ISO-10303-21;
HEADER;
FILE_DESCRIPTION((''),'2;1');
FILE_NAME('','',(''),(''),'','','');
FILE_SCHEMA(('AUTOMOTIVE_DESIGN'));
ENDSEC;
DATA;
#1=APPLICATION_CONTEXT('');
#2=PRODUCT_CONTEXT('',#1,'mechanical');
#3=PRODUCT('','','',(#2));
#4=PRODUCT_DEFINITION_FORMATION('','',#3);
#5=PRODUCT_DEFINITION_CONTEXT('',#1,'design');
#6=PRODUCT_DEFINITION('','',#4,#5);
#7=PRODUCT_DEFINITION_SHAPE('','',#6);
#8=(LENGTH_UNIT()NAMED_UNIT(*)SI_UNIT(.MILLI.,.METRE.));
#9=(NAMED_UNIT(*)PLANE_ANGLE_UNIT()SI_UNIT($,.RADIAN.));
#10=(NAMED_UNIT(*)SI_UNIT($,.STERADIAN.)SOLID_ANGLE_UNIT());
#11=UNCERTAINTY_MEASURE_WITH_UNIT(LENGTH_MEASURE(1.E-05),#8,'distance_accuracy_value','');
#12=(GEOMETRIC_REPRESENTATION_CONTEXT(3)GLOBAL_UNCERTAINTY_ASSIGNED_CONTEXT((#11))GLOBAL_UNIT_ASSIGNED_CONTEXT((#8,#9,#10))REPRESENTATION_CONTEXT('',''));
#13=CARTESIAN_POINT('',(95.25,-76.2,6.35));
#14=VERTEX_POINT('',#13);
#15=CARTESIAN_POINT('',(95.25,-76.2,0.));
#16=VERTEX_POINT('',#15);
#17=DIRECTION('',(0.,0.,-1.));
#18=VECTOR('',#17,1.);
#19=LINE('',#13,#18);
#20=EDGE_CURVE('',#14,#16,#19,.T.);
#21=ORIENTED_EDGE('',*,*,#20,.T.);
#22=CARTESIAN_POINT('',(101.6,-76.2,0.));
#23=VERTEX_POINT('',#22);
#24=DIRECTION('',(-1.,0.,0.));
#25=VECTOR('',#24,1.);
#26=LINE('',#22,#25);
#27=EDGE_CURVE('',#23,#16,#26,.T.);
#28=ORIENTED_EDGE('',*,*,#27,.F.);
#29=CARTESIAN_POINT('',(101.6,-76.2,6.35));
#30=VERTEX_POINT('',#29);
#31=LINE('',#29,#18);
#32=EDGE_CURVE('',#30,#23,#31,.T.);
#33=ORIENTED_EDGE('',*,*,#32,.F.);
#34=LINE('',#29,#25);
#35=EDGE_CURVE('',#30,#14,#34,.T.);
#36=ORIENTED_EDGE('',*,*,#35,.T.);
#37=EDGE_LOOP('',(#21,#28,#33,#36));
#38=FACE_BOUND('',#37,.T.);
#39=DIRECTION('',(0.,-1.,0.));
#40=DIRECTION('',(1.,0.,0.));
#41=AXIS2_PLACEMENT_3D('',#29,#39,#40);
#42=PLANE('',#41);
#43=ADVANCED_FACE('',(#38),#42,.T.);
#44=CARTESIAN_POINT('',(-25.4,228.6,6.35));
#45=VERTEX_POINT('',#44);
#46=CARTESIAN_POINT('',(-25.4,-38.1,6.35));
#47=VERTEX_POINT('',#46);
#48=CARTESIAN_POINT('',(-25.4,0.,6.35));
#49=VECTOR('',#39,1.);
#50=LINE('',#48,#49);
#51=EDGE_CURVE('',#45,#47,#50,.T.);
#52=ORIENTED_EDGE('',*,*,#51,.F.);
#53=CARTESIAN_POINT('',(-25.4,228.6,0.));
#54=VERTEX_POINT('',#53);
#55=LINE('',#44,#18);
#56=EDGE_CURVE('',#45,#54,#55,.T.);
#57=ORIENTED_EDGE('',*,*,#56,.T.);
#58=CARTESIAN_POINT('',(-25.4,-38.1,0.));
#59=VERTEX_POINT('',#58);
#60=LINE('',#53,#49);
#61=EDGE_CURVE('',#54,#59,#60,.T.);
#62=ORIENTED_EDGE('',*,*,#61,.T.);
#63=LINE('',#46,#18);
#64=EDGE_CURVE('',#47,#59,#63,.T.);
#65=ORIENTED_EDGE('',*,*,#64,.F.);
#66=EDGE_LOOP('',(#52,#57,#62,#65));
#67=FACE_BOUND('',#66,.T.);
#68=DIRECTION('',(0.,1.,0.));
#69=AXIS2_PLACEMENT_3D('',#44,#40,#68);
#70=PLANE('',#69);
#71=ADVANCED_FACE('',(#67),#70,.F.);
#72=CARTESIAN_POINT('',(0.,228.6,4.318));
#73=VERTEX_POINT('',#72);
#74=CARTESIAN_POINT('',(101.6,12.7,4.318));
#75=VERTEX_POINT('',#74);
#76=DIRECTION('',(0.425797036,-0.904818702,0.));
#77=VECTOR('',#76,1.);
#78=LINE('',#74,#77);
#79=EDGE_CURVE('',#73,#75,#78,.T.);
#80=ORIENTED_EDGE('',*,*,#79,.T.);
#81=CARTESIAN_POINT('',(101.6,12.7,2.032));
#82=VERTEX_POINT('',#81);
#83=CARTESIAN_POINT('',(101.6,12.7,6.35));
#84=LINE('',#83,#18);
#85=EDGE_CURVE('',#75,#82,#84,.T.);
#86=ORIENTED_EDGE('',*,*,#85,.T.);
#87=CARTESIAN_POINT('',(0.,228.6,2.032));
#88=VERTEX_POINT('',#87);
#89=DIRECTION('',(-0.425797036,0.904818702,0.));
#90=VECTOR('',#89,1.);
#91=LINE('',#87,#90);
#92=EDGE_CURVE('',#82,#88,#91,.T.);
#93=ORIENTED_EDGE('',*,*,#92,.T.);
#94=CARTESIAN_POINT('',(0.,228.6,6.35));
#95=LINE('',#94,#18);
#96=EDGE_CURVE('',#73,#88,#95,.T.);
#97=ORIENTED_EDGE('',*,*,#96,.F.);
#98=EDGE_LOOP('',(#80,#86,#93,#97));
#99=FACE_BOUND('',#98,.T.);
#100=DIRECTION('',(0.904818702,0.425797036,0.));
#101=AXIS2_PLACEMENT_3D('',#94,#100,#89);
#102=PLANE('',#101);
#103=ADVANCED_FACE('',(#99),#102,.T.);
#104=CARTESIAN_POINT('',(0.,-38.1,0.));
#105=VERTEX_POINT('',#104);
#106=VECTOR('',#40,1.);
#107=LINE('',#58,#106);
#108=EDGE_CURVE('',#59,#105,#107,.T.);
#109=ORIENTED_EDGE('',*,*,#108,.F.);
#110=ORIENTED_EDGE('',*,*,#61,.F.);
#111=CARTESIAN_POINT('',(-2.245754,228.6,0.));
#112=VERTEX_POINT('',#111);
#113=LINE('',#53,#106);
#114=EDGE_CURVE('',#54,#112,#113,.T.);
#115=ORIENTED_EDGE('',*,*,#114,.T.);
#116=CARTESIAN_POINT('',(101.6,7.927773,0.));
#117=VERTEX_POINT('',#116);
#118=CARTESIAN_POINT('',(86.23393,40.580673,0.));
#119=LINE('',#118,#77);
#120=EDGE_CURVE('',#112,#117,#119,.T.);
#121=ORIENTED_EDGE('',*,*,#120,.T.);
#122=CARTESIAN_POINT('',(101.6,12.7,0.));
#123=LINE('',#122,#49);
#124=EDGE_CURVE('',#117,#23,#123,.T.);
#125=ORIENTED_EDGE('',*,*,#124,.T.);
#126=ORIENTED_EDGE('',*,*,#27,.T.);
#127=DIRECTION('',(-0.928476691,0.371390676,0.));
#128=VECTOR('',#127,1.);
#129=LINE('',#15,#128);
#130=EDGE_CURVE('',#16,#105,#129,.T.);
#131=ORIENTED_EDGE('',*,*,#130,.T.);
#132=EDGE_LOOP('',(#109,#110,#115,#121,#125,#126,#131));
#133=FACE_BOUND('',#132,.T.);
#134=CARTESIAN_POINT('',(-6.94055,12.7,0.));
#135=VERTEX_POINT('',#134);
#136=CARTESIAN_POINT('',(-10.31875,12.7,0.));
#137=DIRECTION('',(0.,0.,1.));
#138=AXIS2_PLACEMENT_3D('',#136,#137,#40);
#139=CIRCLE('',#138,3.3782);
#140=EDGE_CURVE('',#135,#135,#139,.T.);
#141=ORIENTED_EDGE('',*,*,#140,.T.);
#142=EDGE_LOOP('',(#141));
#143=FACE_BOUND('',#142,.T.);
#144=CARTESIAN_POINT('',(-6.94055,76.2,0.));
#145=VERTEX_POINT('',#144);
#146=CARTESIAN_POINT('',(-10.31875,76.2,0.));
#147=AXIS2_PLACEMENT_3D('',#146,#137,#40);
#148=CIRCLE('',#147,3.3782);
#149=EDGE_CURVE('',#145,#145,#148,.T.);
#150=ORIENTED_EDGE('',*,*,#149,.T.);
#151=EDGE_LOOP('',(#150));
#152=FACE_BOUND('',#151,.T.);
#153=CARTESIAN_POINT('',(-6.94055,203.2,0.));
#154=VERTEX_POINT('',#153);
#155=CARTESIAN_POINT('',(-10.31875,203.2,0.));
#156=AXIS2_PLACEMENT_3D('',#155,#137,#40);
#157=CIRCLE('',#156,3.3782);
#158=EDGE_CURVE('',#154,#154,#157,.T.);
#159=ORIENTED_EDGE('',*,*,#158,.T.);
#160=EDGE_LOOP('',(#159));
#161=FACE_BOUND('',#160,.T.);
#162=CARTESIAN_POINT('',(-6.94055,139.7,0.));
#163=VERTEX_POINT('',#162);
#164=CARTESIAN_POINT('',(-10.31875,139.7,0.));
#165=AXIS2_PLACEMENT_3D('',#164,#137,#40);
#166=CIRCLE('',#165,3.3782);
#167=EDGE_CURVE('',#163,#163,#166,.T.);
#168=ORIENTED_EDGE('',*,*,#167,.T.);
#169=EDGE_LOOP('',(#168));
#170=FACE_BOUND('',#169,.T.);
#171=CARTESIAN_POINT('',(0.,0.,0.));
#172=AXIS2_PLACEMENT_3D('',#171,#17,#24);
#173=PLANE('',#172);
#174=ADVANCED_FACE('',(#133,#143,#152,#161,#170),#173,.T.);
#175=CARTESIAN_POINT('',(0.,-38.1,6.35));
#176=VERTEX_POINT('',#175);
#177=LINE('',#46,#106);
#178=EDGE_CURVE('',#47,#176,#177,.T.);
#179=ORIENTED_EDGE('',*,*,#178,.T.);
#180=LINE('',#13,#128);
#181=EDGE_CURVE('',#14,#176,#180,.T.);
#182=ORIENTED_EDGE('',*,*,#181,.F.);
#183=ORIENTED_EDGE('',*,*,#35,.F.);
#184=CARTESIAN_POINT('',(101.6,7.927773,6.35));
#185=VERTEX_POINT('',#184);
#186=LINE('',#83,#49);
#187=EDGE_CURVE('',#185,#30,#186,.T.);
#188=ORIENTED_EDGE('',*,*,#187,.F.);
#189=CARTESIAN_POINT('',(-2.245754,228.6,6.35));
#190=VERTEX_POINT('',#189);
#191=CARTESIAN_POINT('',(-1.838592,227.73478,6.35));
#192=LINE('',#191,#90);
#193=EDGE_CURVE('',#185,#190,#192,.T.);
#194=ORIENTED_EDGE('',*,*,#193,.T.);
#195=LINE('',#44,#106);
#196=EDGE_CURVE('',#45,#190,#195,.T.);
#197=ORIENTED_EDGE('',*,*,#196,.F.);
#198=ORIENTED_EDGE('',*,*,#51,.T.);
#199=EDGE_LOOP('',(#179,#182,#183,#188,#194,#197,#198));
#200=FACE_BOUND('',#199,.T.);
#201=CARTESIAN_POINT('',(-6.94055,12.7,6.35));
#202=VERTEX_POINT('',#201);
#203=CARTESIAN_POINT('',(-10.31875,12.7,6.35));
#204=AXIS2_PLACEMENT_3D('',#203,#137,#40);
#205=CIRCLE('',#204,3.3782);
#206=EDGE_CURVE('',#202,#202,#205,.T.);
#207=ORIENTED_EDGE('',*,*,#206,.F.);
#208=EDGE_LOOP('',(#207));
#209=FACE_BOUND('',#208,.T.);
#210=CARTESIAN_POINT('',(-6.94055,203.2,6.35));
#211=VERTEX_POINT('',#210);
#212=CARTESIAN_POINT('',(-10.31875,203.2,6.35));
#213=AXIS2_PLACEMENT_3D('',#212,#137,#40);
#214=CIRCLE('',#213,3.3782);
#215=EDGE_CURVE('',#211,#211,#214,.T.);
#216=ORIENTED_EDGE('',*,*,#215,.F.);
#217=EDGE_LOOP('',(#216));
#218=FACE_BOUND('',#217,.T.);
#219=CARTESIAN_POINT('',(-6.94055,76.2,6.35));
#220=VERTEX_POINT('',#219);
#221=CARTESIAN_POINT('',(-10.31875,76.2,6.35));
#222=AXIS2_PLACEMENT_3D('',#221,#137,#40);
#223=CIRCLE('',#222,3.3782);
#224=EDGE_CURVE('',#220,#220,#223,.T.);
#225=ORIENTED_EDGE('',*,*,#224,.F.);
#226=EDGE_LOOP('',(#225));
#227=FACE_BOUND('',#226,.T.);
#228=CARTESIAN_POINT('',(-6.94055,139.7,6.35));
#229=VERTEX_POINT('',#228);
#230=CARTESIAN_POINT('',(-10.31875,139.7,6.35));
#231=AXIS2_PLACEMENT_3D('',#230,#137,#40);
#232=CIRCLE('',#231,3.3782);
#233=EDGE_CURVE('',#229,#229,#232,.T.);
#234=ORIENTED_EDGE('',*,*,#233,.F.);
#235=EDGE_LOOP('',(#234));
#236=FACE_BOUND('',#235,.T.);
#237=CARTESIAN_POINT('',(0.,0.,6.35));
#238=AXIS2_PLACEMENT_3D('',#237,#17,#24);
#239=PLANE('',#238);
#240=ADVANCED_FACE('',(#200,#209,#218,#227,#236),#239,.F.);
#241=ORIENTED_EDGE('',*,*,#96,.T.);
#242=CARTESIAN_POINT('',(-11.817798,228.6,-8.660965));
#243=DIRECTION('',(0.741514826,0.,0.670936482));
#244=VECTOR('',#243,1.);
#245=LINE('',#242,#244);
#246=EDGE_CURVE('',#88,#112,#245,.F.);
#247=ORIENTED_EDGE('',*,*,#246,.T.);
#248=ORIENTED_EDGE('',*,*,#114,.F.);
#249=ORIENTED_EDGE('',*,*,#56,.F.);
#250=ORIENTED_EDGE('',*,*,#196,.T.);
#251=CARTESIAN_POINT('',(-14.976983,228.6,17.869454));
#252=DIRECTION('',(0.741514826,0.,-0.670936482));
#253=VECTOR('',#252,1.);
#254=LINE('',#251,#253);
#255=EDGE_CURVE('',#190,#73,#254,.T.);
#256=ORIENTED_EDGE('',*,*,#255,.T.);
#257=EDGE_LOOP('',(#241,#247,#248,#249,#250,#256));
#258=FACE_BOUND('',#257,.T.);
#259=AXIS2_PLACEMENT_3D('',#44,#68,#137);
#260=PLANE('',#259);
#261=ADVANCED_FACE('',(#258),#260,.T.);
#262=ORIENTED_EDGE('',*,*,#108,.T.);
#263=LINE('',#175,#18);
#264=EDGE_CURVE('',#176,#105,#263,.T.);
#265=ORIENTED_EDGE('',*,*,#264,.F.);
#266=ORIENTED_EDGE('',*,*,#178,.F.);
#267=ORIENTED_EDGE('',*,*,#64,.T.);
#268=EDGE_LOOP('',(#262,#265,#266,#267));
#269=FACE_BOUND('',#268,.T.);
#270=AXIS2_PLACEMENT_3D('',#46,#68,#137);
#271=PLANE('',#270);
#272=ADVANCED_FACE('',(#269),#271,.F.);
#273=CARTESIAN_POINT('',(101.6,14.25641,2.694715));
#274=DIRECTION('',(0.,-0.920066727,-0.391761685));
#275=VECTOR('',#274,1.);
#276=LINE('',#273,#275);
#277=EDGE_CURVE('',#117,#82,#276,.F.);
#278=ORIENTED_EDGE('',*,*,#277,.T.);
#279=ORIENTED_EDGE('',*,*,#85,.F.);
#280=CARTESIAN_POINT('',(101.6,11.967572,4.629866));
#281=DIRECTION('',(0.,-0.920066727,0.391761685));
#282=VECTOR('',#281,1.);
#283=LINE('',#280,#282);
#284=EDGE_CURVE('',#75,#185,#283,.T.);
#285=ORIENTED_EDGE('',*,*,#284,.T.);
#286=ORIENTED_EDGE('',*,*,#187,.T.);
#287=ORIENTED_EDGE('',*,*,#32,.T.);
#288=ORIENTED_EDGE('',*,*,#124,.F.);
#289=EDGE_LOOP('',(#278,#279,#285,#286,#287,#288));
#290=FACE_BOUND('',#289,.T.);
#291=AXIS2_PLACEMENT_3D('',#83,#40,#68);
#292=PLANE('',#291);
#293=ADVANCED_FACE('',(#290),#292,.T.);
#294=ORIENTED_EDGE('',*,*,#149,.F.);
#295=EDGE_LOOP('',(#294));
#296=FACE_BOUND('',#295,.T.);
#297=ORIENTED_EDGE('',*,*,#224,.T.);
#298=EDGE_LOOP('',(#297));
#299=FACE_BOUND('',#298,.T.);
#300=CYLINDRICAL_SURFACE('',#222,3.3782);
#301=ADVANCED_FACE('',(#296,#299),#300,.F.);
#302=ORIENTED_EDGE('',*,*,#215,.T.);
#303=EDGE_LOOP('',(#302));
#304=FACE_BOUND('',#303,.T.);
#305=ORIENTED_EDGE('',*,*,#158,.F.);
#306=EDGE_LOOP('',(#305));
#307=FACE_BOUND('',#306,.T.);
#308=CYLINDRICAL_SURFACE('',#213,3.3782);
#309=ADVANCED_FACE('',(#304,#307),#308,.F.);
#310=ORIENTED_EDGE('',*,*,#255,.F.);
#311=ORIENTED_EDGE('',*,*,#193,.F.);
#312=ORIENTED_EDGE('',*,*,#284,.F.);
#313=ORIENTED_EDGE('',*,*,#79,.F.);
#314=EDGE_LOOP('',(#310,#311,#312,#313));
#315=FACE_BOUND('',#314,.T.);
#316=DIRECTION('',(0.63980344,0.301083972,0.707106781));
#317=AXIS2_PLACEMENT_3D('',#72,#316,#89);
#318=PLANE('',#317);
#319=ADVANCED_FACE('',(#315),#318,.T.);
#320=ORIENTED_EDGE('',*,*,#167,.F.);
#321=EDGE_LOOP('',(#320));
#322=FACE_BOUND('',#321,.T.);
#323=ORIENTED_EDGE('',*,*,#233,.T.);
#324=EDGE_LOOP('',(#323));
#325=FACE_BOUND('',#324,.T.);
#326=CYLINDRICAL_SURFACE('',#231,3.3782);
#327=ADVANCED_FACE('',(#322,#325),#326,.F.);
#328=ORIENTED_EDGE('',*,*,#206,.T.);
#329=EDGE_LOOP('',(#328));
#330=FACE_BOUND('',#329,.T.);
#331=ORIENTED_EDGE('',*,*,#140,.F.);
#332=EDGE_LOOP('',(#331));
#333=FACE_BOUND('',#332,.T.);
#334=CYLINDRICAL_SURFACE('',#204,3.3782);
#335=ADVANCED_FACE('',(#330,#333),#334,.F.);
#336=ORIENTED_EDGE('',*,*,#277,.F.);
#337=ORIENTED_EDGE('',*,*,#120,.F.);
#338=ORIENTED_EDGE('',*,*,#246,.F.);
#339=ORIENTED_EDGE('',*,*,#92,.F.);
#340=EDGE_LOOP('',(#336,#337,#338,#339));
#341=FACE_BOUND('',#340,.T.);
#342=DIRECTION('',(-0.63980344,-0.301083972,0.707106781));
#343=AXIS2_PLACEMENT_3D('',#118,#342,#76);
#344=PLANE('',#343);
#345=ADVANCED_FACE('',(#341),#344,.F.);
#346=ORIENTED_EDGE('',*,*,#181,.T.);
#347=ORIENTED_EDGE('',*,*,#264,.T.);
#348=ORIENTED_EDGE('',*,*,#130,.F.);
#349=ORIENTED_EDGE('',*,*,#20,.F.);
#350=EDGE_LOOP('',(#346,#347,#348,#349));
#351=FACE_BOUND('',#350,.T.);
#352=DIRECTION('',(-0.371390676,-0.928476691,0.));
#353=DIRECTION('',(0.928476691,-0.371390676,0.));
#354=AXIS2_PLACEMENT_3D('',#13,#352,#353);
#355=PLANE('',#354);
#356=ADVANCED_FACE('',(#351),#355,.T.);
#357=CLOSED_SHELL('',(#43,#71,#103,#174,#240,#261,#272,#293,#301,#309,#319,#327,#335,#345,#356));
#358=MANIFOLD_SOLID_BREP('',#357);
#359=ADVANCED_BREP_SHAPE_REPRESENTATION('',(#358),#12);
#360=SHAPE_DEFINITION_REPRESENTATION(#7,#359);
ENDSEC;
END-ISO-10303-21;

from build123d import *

# Parameters (mm, degrees)
BOSS_EXTRUDE1_DEPTH     = 6.35
CHAMFER1_SIZE           = 2.032
F_1_4_CLEARANCE_HOLE1_D = 6.7564
LPATTERN1_COUNT         = 4
LPATTERN1_PITCH         = 63.5


with BuildPart() as part:
    # Sketch1 → Boss-Extrude1 (new body)
    with BuildSketch(Plane.XY):
        Polygon((101.6, 12.7), (101.6, -76.2), (95.25, -76.2), (0, -38.1), (-25.4, -38.1), (-25.4, 0), (-25.4, 228.6), (0, 228.6), align=None)
    extrude(amount=BOSS_EXTRUDE1_DEPTH)

    # Chamfer1
    chamfer1_edges = [part.edges().sort_by_distance(p)[0] for p in [
        (50.8, 120.65, 0),
        (50.8, 120.65, 6.35),
    ]]
    chamfer(chamfer1_edges, length=CHAMFER1_SIZE)

    # 1/4 Clearance Hole1 (through all)
    with Locations(Plane.XY.offset(6.35)):
        with Locations((-10.31875, 203.2)):
            f_1_4_clearance_hole1 = Hole(F_1_4_CLEARANCE_HOLE1_D / 2)

    # LPattern1: 1/4 Clearance Hole1 ×4
    with Locations(*[(0, -i * LPATTERN1_PITCH, 0) for i in range(1, LPATTERN1_COUNT)]):
        add(f_1_4_clearance_hole1, mode=Mode.SUBTRACT)


solid = part.part
